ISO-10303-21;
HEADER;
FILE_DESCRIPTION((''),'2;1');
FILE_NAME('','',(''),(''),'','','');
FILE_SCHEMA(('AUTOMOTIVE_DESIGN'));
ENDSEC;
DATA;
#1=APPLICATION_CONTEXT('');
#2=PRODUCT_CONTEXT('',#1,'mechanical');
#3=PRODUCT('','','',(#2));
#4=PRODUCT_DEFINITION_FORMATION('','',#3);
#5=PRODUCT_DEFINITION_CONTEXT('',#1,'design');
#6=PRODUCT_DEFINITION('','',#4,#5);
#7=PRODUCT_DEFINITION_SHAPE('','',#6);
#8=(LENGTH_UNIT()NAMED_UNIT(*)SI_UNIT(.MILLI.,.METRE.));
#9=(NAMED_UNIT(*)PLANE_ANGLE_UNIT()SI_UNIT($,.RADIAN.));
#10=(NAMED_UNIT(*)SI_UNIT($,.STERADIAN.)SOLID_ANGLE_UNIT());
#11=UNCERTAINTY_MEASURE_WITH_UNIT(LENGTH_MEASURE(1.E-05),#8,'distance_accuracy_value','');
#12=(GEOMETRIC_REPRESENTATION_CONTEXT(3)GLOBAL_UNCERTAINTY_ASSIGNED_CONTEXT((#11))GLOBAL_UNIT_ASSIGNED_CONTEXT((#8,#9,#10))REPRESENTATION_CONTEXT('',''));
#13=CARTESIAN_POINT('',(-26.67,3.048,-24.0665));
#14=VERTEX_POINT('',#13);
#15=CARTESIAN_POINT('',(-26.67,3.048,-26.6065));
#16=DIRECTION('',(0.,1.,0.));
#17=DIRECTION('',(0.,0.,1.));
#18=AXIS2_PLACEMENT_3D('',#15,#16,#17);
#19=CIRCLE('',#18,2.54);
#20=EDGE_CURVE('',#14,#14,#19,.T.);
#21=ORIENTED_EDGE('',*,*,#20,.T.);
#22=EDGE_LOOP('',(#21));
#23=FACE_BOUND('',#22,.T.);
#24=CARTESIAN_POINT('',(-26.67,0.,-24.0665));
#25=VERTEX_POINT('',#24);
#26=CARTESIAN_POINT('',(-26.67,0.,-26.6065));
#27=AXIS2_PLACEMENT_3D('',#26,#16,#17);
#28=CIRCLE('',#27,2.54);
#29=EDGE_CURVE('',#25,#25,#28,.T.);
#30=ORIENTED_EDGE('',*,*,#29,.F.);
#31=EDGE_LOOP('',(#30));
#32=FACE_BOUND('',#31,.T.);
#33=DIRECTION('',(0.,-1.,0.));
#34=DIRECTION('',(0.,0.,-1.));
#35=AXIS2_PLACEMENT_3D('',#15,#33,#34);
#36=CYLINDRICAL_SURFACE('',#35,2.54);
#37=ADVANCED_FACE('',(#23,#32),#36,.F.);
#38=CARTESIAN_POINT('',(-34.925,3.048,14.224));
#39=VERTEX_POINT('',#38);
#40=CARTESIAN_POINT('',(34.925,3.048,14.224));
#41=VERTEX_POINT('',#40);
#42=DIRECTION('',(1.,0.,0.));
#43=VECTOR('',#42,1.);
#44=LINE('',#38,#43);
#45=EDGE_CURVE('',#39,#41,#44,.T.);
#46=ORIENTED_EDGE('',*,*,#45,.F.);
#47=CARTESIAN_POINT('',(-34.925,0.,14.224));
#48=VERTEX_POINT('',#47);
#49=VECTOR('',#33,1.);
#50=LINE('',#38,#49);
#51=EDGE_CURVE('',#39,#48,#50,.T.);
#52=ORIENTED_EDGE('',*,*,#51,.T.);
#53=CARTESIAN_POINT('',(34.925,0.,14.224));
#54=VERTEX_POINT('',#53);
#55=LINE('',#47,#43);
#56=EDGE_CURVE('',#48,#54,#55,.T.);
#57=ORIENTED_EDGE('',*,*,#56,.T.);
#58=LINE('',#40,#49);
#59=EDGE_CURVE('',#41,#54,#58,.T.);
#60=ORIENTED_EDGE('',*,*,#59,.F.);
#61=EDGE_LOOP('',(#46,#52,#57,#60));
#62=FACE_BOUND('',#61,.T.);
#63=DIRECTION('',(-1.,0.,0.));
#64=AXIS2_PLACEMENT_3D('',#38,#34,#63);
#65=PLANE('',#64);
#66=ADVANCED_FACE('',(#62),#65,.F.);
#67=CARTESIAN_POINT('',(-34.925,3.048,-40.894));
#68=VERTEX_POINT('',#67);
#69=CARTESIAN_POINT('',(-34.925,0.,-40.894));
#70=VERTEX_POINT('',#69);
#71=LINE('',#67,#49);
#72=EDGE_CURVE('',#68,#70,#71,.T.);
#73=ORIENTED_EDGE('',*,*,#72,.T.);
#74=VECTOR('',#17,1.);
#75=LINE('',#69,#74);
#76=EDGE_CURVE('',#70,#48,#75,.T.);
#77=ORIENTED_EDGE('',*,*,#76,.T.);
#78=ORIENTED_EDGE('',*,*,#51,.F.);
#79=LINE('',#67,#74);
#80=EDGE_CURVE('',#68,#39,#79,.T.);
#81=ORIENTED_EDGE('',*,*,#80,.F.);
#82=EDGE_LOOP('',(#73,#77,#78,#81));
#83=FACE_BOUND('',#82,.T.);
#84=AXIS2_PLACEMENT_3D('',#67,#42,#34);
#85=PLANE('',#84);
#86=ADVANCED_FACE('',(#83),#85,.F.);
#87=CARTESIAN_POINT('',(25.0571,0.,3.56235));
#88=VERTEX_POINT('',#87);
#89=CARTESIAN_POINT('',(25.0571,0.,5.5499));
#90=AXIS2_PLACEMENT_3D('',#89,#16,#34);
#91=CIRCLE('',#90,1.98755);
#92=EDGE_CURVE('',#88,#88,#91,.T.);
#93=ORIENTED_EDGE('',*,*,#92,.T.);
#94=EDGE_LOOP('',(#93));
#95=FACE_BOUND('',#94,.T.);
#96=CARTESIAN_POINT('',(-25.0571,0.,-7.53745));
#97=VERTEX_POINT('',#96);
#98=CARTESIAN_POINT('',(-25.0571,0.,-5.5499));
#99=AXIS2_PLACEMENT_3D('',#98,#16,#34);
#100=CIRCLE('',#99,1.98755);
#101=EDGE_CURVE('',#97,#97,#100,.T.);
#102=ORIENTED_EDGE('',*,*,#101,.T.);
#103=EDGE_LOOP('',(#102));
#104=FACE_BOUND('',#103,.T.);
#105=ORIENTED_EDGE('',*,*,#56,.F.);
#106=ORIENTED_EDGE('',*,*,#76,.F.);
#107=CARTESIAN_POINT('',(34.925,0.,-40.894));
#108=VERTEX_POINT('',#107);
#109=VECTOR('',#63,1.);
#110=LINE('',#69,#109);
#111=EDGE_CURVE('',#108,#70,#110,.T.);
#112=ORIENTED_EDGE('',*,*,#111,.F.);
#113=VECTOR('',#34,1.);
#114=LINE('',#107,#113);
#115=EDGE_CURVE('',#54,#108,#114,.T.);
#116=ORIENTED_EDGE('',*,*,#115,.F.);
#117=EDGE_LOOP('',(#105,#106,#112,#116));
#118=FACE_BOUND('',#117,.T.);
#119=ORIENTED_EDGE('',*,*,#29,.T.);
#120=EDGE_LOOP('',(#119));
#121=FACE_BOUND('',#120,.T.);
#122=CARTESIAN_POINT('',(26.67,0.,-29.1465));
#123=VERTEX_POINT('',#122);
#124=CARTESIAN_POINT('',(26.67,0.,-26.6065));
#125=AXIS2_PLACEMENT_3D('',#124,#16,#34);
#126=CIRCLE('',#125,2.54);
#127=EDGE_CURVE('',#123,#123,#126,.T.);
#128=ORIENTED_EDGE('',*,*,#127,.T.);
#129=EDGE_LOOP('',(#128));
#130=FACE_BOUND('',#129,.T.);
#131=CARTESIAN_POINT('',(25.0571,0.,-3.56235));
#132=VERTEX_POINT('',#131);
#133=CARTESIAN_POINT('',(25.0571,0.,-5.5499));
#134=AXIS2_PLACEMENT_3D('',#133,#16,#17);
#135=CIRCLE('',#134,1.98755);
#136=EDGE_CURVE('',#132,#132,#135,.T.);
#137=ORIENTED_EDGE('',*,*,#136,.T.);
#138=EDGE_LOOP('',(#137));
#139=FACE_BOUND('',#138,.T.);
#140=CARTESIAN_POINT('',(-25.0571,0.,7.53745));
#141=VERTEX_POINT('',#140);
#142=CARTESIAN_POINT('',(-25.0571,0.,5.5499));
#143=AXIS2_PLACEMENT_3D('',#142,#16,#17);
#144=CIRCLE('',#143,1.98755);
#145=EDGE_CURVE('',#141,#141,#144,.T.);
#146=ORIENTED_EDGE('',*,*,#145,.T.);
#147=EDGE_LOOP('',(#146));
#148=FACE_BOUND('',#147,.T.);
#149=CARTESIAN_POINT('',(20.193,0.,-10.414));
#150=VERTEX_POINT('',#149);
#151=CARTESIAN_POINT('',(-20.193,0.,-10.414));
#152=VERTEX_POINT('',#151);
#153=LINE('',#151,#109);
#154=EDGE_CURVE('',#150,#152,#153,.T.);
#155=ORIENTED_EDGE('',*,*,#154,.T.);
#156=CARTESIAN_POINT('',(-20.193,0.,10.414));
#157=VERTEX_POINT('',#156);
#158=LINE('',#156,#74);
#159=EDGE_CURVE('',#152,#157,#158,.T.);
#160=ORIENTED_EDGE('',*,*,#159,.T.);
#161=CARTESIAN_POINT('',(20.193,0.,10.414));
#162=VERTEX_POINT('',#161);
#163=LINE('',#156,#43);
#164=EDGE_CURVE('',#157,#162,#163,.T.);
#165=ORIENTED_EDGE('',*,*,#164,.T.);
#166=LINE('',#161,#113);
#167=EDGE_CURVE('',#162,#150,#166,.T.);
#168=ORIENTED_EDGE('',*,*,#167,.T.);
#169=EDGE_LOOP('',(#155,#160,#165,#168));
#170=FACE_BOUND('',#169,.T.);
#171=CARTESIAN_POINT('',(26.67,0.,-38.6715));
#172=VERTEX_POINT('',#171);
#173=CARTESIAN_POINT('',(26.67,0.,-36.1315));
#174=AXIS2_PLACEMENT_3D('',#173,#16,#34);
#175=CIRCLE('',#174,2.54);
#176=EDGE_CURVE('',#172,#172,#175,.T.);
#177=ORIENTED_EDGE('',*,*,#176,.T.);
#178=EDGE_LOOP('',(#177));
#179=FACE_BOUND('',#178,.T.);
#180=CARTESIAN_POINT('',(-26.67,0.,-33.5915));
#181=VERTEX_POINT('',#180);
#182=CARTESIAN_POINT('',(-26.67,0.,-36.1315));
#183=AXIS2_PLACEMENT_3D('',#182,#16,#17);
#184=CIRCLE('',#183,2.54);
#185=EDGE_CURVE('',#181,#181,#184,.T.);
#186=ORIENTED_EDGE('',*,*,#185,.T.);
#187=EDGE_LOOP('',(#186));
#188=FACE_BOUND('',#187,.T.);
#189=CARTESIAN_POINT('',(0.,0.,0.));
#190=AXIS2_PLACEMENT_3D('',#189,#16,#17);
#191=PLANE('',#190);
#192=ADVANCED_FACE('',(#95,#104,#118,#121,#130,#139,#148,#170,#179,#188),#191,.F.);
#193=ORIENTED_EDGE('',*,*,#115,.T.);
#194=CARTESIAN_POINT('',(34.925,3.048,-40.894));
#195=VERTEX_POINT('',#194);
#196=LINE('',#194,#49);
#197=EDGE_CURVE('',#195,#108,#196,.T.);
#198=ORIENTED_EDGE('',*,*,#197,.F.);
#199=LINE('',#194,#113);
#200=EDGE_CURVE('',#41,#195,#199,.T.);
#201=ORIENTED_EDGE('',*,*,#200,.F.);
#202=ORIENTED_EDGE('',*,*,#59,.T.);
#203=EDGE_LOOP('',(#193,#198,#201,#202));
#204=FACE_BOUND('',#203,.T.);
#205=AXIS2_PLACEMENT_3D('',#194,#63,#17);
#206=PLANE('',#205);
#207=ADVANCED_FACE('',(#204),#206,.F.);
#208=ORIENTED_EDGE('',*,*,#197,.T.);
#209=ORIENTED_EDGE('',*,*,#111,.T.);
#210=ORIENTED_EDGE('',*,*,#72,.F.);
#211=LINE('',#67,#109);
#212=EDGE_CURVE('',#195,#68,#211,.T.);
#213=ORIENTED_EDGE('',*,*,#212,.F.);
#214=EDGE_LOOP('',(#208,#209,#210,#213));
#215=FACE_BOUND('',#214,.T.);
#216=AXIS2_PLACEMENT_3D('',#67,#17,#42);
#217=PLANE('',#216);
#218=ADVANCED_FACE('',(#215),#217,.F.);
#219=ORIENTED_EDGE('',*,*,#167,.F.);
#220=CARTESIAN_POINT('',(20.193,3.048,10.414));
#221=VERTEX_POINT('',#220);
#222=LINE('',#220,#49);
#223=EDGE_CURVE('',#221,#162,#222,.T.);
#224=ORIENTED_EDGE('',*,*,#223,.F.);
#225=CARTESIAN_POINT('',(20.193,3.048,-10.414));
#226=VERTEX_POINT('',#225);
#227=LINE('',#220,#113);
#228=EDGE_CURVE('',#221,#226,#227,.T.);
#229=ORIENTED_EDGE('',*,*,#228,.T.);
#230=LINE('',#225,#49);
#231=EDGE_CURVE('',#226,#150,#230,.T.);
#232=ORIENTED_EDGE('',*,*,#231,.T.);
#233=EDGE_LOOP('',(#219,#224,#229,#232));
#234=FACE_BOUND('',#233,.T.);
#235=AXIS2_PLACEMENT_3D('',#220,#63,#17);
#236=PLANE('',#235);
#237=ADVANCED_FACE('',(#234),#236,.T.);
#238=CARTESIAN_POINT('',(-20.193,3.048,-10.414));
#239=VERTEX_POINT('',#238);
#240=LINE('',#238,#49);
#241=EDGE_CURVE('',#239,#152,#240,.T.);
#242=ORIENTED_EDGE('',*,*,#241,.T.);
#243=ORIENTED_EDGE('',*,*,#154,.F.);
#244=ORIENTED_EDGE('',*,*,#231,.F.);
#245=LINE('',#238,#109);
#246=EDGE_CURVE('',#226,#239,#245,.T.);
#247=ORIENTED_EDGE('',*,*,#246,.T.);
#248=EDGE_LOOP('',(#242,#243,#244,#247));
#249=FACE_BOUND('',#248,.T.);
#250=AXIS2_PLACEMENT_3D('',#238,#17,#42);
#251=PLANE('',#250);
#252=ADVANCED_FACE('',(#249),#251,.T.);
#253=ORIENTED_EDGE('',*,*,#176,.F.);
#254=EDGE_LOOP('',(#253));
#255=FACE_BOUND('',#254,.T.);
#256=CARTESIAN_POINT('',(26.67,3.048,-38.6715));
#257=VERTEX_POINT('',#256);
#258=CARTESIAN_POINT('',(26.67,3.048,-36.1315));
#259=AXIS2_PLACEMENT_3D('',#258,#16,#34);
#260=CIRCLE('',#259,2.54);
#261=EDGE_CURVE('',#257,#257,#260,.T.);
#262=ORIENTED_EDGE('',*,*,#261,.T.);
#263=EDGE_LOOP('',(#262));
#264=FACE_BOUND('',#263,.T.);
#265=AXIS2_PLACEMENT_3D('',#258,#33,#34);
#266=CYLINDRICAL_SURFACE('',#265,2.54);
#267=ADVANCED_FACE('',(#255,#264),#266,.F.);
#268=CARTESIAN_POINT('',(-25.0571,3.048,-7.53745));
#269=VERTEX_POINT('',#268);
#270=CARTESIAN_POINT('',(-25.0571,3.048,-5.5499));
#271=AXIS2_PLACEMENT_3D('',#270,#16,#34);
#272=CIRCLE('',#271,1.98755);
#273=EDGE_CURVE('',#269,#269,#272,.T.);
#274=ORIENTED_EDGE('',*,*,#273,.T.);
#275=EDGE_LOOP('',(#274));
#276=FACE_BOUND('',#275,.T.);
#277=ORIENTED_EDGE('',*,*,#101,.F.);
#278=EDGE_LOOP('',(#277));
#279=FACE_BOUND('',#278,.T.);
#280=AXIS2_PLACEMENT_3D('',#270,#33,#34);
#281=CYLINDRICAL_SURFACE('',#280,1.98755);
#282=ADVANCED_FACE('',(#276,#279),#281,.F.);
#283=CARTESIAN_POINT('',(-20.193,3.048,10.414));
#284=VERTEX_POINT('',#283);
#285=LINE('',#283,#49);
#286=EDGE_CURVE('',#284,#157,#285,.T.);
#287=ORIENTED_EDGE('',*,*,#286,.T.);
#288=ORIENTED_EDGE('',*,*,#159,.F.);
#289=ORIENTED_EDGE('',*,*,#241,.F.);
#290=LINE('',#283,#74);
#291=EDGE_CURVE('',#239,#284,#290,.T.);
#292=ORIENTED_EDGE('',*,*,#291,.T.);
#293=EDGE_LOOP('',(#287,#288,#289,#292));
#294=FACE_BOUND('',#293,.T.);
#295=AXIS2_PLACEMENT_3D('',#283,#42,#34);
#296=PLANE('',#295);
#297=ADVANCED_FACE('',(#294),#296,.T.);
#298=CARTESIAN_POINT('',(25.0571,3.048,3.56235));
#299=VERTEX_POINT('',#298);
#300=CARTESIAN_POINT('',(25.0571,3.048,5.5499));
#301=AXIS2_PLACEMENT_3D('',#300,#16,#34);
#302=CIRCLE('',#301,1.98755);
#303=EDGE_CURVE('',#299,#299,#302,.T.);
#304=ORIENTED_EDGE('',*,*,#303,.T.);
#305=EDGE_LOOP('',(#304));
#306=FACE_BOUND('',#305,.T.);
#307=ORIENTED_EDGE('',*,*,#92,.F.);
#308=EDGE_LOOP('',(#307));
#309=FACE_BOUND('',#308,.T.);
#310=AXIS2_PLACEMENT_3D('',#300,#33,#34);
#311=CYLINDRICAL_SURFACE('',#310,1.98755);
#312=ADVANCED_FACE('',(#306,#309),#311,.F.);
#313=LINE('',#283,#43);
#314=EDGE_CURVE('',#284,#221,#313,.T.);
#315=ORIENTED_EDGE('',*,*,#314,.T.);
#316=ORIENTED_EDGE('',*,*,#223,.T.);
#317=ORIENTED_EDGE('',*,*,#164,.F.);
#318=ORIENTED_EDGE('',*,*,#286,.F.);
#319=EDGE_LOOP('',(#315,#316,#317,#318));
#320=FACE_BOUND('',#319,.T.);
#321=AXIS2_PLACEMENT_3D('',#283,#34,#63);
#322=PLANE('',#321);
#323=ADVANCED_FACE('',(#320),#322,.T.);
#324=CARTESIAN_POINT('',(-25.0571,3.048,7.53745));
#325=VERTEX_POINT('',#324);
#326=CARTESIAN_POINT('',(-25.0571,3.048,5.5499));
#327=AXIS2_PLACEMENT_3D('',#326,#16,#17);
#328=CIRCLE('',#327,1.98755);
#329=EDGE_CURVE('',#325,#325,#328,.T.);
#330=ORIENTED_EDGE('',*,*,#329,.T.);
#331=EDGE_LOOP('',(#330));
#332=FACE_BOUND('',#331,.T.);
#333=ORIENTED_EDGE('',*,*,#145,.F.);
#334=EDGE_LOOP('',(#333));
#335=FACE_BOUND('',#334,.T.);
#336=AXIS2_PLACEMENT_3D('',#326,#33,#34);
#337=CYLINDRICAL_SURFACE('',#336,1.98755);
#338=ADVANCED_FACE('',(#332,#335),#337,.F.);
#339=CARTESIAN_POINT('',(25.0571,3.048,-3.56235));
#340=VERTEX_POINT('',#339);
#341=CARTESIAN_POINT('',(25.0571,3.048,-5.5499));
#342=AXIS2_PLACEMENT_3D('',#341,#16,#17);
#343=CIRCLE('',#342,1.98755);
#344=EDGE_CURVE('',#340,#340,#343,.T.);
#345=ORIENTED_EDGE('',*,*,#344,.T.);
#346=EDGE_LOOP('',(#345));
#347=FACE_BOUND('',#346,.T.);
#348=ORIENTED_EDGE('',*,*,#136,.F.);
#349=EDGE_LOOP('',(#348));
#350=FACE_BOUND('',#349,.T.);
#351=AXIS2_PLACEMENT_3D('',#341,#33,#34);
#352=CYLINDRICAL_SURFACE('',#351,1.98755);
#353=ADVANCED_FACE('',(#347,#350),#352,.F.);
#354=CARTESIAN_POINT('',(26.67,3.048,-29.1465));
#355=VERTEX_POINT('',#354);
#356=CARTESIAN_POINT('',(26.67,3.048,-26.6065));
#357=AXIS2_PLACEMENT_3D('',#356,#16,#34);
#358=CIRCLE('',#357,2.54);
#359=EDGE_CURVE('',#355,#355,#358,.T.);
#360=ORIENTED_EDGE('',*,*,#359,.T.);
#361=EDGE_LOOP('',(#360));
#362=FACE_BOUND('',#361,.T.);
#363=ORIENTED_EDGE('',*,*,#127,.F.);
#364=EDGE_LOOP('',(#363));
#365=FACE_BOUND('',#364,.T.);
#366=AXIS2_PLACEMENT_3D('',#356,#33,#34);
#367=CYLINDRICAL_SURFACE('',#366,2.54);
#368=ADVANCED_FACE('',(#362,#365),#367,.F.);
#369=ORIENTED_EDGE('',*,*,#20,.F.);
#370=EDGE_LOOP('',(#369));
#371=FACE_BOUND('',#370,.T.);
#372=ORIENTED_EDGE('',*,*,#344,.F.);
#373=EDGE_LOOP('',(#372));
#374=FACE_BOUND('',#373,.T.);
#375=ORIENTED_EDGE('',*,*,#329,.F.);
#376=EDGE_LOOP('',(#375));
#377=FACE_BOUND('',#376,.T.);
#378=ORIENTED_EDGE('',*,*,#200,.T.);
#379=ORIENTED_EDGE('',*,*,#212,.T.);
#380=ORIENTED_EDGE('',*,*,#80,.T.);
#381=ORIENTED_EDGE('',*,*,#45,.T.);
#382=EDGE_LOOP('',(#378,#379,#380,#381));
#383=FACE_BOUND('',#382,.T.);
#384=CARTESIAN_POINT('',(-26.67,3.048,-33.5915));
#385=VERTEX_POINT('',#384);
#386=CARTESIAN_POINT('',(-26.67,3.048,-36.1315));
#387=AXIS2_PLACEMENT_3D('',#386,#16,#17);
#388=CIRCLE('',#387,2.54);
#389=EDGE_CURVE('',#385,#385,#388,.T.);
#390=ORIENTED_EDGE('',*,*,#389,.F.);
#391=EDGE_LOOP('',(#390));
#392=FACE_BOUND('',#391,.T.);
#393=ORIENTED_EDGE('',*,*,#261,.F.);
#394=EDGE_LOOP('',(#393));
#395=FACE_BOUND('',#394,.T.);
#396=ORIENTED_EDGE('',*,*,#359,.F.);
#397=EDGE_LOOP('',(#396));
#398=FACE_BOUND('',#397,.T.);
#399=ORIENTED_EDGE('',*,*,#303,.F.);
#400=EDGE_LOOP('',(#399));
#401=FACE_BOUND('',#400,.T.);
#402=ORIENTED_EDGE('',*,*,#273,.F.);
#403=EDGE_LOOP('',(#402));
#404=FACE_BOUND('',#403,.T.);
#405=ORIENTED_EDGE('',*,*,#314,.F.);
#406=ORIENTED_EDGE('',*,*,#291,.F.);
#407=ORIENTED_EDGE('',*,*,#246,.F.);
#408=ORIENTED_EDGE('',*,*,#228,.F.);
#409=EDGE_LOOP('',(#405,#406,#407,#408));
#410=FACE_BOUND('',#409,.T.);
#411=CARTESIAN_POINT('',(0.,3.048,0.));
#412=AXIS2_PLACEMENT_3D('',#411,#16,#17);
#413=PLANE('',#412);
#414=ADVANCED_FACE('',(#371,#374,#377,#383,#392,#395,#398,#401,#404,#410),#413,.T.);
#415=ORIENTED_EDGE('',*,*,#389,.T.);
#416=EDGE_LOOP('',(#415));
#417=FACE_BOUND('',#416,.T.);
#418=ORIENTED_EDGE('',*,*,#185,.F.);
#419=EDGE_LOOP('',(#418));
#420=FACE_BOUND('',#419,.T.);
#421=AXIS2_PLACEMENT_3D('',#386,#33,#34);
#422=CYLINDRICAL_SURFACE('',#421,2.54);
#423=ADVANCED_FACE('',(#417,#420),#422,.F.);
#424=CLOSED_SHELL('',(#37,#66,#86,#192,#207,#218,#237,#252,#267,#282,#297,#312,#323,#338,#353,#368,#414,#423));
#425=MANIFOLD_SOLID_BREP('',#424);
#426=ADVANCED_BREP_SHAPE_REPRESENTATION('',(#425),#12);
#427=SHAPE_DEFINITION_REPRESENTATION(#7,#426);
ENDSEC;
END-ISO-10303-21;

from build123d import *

# Parameters (mm, degrees)
SKETCH1_W           = 69.85
SKETCH1_H           = 55.118
SKETCH1_R           = 1.98755
SKETCH1_R_2         = 2.54
SKETCH1_W_2         = 40.386
SKETCH1_H_2         = 20.828
BOSS_EXTRUDE1_DEPTH = 3.048


with BuildPart() as part:
    # Sketch1 → Boss-Extrude1 (new body)
    with BuildSketch(Plane(origin=(0, 0, 0), x_dir=(1, 0, 0), z_dir=(0, 1, 0))):
        with Locations((0, 13.335)):
            Rectangle(SKETCH1_W, SKETCH1_H)
        with Locations((-25.0571, -5.5499)):
            Circle(SKETCH1_R, mode=Mode.SUBTRACT)
        with Locations((-25.0571, 5.5499)):
            Circle(SKETCH1_R, mode=Mode.SUBTRACT)
        with Locations((25.0571, -5.5499)):
            Circle(SKETCH1_R, mode=Mode.SUBTRACT)
        with Locations((25.0571, 5.5499)):
            Circle(SKETCH1_R, mode=Mode.SUBTRACT)
        with Locations((-26.67, 36.1315)):
            Circle(SKETCH1_R_2, mode=Mode.SUBTRACT)
        with Locations((-26.67, 26.6065)):
            Circle(SKETCH1_R_2, mode=Mode.SUBTRACT)
        with Locations((26.67, 26.6065)):
            Circle(SKETCH1_R_2, mode=Mode.SUBTRACT)
        with Locations((26.67, 36.1315)):
            Circle(SKETCH1_R_2, mode=Mode.SUBTRACT)
        Rectangle(SKETCH1_W_2, SKETCH1_H_2, mode=Mode.SUBTRACT)
    extrude(amount=BOSS_EXTRUDE1_DEPTH)


solid = part.part
